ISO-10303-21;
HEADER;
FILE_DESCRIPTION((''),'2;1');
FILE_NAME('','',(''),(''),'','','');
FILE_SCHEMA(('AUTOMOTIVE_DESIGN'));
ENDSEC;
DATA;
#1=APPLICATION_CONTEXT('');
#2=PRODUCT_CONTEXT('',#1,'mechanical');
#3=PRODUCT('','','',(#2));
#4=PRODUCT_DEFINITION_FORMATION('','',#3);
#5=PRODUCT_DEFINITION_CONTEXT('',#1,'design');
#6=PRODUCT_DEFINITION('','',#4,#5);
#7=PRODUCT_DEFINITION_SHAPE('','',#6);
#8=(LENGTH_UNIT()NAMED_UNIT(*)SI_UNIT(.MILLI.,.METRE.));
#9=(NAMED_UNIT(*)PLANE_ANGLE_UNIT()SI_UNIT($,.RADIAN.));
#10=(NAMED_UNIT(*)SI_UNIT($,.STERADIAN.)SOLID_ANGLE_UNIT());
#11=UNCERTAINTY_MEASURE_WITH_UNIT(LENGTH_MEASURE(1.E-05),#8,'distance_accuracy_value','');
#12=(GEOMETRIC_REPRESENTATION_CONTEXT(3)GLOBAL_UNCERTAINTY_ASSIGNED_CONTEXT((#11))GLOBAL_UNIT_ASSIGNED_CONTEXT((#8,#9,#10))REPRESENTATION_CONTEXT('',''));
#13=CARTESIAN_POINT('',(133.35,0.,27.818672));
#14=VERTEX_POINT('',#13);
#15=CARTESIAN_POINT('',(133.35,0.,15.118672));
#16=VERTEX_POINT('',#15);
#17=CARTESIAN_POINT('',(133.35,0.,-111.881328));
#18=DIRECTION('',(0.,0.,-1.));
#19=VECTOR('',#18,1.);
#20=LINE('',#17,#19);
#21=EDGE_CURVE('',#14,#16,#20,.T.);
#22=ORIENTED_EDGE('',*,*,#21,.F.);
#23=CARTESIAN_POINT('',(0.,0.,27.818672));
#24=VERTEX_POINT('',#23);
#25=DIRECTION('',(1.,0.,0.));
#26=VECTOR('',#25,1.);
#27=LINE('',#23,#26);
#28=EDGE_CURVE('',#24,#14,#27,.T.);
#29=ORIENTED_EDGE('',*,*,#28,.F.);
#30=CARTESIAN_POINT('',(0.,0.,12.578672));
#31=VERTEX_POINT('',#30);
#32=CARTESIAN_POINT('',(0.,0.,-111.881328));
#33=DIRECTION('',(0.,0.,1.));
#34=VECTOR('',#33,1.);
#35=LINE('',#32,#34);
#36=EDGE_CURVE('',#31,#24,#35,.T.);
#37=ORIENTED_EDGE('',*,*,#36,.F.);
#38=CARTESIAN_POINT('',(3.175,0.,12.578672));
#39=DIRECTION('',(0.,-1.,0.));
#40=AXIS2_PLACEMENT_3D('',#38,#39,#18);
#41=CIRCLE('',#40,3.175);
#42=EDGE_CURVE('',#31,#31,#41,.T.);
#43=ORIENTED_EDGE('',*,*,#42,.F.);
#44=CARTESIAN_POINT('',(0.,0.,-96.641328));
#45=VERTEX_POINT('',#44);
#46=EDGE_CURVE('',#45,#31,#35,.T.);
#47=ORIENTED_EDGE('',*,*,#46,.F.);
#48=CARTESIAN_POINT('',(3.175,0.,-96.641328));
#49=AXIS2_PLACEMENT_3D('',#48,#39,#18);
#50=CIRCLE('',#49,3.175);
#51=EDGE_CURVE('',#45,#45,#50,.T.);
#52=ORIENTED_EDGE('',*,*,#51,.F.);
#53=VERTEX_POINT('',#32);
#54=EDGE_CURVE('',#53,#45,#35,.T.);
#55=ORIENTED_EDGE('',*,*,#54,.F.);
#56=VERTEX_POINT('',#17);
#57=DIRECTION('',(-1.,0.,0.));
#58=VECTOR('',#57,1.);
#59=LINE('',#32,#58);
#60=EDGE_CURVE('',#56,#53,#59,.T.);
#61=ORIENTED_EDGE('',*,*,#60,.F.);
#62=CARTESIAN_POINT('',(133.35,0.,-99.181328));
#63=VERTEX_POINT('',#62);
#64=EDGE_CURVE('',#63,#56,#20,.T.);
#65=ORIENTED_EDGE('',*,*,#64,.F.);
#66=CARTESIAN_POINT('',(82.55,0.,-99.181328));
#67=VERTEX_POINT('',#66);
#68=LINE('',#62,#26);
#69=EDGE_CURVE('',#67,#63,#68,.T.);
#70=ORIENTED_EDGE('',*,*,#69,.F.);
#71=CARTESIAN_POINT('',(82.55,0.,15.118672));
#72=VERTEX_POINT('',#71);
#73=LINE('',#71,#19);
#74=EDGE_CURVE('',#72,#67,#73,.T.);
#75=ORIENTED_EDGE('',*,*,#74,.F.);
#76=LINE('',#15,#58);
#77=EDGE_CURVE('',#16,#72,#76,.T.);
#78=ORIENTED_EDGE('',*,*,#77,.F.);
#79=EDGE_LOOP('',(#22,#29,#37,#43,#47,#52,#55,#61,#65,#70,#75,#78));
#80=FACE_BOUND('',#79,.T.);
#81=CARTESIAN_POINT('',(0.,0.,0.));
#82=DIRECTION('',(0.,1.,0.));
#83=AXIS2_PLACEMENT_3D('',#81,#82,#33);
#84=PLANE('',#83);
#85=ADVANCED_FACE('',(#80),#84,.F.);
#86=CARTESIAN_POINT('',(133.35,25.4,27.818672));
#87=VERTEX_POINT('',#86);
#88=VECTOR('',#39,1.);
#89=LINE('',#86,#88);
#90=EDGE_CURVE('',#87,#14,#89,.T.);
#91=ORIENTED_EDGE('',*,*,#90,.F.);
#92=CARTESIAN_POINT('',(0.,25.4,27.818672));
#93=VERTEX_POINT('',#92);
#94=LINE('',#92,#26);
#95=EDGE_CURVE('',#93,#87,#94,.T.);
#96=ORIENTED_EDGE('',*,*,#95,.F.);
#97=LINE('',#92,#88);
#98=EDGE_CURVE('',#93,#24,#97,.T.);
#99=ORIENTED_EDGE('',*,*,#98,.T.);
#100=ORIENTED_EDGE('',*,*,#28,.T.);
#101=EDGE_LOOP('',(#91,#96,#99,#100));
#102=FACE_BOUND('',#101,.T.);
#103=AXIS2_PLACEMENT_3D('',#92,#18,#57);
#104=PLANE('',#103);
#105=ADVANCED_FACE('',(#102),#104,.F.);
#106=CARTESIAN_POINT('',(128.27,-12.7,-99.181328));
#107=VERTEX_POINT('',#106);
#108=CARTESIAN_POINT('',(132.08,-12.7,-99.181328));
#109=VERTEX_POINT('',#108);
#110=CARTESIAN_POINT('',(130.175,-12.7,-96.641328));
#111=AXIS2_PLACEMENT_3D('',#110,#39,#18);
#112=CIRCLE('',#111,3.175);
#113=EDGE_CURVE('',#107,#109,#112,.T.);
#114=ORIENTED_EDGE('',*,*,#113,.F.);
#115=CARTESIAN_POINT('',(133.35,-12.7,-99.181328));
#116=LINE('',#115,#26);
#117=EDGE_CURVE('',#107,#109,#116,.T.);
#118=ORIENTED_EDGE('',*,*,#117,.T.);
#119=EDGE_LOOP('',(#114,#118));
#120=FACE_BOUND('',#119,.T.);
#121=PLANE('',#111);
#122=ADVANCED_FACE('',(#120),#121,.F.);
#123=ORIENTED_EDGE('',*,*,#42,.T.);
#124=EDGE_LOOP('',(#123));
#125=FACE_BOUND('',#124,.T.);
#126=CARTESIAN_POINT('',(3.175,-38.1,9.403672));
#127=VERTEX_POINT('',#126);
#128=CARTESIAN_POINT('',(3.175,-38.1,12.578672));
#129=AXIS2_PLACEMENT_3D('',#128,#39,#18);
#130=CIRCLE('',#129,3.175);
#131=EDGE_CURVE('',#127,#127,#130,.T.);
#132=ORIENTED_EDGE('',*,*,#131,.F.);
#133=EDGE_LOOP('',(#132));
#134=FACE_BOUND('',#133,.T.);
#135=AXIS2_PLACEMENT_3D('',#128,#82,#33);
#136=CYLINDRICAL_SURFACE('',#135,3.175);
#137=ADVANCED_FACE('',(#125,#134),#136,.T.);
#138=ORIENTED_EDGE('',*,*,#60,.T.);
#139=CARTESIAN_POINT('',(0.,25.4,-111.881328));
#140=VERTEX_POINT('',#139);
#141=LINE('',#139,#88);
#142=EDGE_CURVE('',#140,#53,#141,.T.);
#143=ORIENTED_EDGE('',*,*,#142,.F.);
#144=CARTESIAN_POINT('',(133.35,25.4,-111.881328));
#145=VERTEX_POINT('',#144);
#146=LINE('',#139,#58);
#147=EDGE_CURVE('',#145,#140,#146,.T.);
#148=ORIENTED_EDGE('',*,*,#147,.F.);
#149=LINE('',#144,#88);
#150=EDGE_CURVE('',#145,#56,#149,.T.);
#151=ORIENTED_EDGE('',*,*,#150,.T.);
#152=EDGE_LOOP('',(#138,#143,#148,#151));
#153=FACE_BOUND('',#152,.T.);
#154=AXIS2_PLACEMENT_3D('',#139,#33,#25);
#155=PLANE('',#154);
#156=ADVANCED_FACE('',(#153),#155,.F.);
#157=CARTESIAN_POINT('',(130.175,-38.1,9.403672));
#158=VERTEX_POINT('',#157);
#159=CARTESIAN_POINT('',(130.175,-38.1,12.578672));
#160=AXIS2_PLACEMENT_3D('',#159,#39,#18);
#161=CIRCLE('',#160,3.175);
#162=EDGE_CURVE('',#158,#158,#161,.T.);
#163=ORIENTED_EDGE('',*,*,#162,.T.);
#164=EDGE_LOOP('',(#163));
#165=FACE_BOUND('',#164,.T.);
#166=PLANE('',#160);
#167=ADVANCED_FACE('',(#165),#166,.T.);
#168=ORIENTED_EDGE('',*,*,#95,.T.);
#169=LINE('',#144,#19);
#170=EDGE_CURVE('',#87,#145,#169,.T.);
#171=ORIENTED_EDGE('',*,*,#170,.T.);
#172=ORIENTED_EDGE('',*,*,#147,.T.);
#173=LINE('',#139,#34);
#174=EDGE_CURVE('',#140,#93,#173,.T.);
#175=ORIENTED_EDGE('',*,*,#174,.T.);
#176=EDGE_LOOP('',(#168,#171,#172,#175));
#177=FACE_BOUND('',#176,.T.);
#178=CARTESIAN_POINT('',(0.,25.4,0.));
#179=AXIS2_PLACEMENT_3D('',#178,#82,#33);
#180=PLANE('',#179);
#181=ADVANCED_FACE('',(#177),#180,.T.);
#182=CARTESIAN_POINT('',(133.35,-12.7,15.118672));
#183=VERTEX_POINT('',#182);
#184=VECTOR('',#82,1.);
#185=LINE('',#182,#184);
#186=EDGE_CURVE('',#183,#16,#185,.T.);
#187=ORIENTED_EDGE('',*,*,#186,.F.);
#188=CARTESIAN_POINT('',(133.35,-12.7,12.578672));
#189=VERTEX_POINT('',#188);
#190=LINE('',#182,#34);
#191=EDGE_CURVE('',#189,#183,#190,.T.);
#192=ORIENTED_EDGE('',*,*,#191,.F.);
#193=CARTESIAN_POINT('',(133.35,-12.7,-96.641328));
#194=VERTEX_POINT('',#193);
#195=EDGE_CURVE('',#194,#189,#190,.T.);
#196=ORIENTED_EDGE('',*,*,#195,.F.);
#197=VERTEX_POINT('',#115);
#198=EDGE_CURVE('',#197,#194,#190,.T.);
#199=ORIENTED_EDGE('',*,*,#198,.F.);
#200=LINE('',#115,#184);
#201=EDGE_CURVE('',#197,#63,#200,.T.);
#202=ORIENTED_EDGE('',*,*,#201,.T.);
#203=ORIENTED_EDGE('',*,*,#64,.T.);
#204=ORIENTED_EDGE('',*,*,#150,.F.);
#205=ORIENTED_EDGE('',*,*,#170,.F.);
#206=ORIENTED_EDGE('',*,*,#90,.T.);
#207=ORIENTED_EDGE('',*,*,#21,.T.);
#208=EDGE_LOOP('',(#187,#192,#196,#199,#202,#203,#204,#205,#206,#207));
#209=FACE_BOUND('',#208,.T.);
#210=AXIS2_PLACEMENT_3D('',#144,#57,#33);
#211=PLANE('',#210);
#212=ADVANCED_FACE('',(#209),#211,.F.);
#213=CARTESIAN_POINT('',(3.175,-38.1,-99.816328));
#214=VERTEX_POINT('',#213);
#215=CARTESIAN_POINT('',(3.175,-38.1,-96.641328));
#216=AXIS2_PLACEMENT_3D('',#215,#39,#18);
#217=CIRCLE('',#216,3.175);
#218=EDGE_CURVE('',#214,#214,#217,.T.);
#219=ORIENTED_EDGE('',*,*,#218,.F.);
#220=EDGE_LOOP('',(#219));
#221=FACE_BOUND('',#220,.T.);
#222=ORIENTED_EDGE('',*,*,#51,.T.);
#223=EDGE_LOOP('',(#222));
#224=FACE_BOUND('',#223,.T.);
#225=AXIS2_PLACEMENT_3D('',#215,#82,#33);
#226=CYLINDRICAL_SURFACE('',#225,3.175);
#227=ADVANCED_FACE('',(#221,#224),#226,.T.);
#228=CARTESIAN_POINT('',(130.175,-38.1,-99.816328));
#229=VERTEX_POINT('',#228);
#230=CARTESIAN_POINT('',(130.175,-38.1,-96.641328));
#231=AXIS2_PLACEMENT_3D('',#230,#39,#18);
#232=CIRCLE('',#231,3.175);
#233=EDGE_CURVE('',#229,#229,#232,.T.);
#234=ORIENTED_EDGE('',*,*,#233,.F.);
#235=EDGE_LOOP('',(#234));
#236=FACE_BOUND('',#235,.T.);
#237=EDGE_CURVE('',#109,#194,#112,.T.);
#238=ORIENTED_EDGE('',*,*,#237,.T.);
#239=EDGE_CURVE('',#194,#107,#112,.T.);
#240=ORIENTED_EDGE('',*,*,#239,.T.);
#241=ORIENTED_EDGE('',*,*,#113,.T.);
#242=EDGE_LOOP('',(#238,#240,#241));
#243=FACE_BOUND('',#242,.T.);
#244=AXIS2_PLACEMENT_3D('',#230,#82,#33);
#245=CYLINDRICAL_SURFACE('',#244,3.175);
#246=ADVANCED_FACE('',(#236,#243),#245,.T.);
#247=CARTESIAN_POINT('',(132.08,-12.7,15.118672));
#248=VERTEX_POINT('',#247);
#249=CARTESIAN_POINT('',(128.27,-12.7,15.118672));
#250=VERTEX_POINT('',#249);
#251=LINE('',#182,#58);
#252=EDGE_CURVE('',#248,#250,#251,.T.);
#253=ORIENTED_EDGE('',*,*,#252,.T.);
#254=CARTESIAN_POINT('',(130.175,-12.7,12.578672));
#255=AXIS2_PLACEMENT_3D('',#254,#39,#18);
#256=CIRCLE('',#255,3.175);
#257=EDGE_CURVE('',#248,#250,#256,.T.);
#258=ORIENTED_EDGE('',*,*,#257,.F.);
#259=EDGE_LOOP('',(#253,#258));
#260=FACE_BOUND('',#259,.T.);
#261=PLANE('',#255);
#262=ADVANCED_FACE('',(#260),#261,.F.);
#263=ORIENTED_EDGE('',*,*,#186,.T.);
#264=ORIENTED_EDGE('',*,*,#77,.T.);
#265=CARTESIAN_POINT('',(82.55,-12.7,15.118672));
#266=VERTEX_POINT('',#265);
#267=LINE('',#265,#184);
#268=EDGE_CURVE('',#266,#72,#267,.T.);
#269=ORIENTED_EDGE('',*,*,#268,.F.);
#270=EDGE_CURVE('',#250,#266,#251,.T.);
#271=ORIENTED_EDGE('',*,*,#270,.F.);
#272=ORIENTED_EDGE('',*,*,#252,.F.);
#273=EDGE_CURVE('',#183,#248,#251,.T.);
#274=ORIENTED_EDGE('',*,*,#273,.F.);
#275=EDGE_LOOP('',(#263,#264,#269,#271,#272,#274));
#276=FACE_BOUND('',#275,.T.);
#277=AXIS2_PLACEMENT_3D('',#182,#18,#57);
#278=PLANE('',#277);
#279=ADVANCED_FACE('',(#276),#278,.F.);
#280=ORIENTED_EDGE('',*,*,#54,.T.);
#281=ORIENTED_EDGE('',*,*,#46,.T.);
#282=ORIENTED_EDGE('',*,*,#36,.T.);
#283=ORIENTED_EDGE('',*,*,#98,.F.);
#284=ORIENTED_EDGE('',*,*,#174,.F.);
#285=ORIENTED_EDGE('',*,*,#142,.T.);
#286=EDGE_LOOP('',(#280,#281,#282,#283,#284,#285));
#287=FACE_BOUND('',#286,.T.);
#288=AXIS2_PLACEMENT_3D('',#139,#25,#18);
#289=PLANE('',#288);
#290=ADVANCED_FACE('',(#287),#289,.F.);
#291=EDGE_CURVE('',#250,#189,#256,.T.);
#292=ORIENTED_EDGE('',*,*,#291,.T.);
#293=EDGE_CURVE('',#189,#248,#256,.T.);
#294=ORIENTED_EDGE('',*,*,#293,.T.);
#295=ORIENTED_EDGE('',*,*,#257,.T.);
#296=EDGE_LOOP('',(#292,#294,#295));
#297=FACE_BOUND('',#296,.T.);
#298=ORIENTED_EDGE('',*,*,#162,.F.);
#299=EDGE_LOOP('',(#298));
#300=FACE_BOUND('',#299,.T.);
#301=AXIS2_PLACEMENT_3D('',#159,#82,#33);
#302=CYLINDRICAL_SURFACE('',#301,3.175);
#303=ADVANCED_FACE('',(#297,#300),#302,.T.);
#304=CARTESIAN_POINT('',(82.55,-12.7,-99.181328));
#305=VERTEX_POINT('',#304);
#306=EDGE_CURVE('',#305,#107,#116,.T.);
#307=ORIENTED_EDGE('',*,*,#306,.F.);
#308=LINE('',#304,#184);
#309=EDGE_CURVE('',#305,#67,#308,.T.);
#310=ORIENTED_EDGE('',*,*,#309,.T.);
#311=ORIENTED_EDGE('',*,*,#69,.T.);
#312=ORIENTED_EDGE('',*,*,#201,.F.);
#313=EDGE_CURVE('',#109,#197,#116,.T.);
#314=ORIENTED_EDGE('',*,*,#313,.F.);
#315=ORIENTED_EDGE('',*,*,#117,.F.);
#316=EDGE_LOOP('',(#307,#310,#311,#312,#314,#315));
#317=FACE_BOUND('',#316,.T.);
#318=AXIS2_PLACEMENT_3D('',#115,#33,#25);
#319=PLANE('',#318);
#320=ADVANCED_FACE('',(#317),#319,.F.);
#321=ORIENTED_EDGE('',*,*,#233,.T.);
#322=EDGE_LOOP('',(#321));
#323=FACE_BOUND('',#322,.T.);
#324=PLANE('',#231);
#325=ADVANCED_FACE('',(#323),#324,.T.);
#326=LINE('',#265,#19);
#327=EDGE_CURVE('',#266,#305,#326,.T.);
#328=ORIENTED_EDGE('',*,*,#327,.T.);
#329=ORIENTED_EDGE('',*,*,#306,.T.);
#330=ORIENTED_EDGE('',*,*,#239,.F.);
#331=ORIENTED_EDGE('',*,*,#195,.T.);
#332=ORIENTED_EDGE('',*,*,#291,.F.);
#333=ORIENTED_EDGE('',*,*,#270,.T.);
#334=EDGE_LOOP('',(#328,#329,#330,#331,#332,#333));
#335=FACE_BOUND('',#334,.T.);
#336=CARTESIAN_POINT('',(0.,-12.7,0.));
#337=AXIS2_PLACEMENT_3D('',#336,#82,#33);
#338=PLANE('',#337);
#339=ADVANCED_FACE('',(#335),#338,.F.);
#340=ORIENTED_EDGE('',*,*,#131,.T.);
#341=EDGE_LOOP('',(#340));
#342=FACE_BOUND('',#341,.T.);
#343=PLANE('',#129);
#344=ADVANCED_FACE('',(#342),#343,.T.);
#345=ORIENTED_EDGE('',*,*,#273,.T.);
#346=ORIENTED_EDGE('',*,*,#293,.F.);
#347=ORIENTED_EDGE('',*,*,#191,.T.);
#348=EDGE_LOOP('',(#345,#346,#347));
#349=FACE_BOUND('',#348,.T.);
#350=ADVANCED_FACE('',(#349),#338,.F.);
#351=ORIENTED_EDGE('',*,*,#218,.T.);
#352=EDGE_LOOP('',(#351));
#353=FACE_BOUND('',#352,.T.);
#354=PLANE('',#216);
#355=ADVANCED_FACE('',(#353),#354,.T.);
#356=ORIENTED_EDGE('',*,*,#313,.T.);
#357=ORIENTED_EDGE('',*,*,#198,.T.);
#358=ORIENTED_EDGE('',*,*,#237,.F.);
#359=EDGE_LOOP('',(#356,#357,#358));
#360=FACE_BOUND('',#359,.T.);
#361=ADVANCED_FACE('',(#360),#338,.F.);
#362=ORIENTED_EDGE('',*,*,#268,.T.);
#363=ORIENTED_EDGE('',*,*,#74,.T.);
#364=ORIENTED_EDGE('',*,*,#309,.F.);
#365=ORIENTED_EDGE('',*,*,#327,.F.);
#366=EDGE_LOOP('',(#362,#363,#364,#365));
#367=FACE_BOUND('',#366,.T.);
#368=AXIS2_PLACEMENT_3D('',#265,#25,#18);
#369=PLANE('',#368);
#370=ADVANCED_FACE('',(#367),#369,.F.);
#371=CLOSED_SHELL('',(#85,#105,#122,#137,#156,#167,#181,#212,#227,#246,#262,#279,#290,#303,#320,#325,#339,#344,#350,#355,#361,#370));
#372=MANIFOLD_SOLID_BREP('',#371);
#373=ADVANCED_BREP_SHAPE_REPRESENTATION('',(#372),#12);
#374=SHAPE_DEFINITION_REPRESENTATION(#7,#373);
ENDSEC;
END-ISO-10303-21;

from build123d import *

# Parameters (mm, degrees)
SKETCH1_W           = 133.35
SKETCH1_H           = 139.7
BOSS_EXTRUDE1_DEPTH = 25.4
SKETCH2_W           = 50.8
SKETCH2_H           = 114.3
BOSS_EXTRUDE2_DEPTH = 12.7
SKETCH3_R           = 3.175
BOSS_EXTRUDE3_DEPTH = 38.1
SKETCH4_R           = 3.175
BOSS_EXTRUDE4_DEPTH = 38.1
SKETCH5_R           = 3.175
BOSS_EXTRUDE5_DEPTH = 25.4
SKETCH6_R           = 3.175
BOSS_EXTRUDE6_DEPTH = 25.4


with BuildPart() as part:
    # Sketch1 → Boss-Extrude1 (new body)
    with BuildSketch(Plane(origin=(0, 0, 0), x_dir=(1, 0, 0), z_dir=(0, 1, 0))):
        with Locations((66.675, 42.031328285)):
            Rectangle(SKETCH1_W, SKETCH1_H)
    extrude(amount=BOSS_EXTRUDE1_DEPTH)

    # Sketch2 → Boss-Extrude2 (add)
    with BuildSketch(Plane(origin=(0, 0, 0), x_dir=(-1, 0, 0), z_dir=(0, -1, 0))):
        with Locations((-107.95, 42.031328285)):
            Rectangle(SKETCH2_W, SKETCH2_H)
    extrude(amount=BOSS_EXTRUDE2_DEPTH)

    # Sketch3 → Boss-Extrude3 (add)
    with BuildSketch(Plane(origin=(0, 0, 0), x_dir=(-1, 0, 0), z_dir=(0, -1, 0))):
        with Locations((-3.175, 96.641328285)):
            Circle(SKETCH3_R)
    extrude(amount=BOSS_EXTRUDE3_DEPTH)

    # Sketch4 → Boss-Extrude4 (add)
    with BuildSketch(Plane(origin=(0, 0, 0), x_dir=(-1, 0, 0), z_dir=(0, -1, 0))):
        with Locations((-3.175, -12.578671715)):
            Circle(SKETCH4_R)
    extrude(amount=BOSS_EXTRUDE4_DEPTH)

    # Sketch5 → Boss-Extrude5 (add)
    with BuildSketch(Plane(origin=(0, -12.7, 0), x_dir=(-1, 0, 0), z_dir=(0, -1, 0))):
        with Locations((-130.175, 96.641328285)):
            Circle(SKETCH5_R)
    extrude(amount=BOSS_EXTRUDE5_DEPTH)

    # Sketch6 → Boss-Extrude6 (add)
    with BuildSketch(Plane(origin=(0, -12.7, 0), x_dir=(-1, 0, 0), z_dir=(0, -1, 0))):
        with Locations((-130.175, -12.578671715)):
            Circle(SKETCH6_R)
    extrude(amount=BOSS_EXTRUDE6_DEPTH)


solid = part.part
